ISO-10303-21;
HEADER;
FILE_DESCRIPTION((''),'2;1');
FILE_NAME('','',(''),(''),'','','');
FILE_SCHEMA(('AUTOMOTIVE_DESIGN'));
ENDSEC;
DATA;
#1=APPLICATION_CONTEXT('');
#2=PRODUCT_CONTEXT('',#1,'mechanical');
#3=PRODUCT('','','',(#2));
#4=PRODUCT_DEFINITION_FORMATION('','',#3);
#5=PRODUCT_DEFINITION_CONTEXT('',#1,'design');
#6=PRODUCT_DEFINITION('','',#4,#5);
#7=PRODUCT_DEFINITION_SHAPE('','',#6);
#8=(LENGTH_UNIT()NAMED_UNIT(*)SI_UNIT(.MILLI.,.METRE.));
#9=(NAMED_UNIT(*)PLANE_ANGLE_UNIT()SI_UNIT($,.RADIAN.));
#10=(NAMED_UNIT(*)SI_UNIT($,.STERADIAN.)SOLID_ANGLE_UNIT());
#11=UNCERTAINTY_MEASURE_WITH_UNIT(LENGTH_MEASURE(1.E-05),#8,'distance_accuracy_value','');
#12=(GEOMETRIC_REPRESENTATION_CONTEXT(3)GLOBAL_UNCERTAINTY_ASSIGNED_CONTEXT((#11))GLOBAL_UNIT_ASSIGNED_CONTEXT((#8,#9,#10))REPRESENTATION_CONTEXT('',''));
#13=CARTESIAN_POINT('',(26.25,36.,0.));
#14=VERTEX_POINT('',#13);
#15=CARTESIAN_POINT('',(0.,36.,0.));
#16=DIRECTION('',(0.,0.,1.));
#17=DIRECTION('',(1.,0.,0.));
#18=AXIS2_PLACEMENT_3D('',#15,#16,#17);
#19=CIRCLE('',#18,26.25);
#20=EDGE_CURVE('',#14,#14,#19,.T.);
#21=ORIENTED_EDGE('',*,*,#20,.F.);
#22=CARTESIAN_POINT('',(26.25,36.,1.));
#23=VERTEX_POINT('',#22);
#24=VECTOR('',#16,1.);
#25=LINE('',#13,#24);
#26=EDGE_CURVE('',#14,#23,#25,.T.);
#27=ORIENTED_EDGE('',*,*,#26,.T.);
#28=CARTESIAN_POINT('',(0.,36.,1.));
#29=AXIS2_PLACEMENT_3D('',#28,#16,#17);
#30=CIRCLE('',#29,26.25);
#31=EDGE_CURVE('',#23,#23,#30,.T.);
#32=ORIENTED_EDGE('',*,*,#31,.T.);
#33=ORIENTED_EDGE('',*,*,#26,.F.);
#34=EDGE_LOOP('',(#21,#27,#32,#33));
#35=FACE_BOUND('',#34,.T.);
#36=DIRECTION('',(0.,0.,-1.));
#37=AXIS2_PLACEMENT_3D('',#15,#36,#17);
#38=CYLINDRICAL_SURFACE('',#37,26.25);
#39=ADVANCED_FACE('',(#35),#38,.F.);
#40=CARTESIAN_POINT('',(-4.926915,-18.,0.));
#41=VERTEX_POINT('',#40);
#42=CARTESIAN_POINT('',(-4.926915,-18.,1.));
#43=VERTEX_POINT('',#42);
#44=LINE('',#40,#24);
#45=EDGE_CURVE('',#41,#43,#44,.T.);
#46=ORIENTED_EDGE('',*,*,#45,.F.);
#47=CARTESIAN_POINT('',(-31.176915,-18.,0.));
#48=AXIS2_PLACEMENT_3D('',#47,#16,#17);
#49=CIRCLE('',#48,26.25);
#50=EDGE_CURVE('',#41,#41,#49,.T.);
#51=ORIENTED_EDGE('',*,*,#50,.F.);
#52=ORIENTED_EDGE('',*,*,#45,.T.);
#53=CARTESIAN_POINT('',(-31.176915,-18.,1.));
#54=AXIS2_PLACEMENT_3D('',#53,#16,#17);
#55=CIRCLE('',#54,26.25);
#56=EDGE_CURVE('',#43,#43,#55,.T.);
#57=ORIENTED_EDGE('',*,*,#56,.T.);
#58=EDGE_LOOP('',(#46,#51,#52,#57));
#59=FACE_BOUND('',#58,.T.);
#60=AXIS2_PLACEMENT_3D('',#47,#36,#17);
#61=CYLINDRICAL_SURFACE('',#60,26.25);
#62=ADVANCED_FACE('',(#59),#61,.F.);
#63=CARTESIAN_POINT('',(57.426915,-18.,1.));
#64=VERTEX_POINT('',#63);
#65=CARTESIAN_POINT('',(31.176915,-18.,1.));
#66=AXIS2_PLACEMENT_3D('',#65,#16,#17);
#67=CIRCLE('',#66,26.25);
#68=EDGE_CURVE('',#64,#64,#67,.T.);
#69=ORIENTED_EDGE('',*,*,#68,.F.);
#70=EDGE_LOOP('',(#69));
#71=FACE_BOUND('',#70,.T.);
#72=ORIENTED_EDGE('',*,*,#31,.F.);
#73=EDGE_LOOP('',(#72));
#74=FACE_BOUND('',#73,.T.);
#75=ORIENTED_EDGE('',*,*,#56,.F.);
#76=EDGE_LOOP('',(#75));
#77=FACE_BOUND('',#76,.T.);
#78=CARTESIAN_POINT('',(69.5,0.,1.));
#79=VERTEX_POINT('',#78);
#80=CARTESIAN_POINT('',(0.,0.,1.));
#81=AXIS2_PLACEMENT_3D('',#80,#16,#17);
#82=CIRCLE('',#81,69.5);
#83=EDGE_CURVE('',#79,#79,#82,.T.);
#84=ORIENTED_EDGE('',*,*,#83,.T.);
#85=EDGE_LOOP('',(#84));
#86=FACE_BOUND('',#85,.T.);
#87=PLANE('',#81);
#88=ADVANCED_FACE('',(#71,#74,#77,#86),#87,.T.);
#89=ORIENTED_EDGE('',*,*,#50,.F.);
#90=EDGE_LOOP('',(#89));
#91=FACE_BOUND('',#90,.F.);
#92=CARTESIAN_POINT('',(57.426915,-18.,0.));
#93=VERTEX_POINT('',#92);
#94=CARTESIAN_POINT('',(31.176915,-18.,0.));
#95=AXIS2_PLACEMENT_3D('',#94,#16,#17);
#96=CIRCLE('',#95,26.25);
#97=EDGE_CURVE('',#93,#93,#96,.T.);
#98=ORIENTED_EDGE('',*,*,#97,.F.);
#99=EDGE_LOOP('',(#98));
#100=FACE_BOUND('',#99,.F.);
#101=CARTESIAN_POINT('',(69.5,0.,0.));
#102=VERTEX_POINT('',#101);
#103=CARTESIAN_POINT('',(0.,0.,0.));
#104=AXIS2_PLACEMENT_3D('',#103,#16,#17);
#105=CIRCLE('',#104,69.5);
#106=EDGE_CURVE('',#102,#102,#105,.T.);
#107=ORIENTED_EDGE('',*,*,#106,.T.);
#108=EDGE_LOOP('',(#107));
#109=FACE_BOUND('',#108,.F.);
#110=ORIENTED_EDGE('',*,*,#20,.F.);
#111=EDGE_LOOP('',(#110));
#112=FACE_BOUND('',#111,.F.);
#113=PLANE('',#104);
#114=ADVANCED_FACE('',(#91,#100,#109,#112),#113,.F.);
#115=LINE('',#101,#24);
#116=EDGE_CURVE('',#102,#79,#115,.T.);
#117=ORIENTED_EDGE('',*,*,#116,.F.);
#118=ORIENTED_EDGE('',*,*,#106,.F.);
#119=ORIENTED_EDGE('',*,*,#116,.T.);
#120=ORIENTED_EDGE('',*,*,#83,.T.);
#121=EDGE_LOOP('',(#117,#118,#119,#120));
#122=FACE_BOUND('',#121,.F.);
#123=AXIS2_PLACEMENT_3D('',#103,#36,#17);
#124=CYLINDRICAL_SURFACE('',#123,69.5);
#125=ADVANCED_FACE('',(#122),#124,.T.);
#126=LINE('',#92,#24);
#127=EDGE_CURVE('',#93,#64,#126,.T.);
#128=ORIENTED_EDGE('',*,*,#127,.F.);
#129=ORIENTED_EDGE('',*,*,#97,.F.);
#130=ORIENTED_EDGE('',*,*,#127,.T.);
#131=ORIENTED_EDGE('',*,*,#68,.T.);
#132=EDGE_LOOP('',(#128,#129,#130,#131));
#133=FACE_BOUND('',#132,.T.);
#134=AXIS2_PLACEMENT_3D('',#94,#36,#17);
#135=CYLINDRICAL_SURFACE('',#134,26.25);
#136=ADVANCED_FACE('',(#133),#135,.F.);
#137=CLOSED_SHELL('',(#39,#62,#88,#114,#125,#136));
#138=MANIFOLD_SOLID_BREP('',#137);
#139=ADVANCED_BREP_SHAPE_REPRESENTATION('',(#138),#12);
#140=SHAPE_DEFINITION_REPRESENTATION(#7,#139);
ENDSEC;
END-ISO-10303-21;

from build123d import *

# Parameters (mm, degrees)
F0_R     = 69.5
F0_R_2   = 26.25
F1_DEPTH = 1


with BuildPart() as f1:
    # F0 (on Top) → F1 (new body)
    with BuildSketch(Plane.XY):
        Circle(F0_R)
        with Locations((-31.176915, -18)):
            Circle(F0_R_2, mode=Mode.SUBTRACT)
        with Locations((31.176915, -18)):
            Circle(F0_R_2, mode=Mode.SUBTRACT)
        with Locations((0, 36)):
            Circle(F0_R_2, mode=Mode.SUBTRACT)
    extrude(amount=F1_DEPTH)


solid = f1.part
